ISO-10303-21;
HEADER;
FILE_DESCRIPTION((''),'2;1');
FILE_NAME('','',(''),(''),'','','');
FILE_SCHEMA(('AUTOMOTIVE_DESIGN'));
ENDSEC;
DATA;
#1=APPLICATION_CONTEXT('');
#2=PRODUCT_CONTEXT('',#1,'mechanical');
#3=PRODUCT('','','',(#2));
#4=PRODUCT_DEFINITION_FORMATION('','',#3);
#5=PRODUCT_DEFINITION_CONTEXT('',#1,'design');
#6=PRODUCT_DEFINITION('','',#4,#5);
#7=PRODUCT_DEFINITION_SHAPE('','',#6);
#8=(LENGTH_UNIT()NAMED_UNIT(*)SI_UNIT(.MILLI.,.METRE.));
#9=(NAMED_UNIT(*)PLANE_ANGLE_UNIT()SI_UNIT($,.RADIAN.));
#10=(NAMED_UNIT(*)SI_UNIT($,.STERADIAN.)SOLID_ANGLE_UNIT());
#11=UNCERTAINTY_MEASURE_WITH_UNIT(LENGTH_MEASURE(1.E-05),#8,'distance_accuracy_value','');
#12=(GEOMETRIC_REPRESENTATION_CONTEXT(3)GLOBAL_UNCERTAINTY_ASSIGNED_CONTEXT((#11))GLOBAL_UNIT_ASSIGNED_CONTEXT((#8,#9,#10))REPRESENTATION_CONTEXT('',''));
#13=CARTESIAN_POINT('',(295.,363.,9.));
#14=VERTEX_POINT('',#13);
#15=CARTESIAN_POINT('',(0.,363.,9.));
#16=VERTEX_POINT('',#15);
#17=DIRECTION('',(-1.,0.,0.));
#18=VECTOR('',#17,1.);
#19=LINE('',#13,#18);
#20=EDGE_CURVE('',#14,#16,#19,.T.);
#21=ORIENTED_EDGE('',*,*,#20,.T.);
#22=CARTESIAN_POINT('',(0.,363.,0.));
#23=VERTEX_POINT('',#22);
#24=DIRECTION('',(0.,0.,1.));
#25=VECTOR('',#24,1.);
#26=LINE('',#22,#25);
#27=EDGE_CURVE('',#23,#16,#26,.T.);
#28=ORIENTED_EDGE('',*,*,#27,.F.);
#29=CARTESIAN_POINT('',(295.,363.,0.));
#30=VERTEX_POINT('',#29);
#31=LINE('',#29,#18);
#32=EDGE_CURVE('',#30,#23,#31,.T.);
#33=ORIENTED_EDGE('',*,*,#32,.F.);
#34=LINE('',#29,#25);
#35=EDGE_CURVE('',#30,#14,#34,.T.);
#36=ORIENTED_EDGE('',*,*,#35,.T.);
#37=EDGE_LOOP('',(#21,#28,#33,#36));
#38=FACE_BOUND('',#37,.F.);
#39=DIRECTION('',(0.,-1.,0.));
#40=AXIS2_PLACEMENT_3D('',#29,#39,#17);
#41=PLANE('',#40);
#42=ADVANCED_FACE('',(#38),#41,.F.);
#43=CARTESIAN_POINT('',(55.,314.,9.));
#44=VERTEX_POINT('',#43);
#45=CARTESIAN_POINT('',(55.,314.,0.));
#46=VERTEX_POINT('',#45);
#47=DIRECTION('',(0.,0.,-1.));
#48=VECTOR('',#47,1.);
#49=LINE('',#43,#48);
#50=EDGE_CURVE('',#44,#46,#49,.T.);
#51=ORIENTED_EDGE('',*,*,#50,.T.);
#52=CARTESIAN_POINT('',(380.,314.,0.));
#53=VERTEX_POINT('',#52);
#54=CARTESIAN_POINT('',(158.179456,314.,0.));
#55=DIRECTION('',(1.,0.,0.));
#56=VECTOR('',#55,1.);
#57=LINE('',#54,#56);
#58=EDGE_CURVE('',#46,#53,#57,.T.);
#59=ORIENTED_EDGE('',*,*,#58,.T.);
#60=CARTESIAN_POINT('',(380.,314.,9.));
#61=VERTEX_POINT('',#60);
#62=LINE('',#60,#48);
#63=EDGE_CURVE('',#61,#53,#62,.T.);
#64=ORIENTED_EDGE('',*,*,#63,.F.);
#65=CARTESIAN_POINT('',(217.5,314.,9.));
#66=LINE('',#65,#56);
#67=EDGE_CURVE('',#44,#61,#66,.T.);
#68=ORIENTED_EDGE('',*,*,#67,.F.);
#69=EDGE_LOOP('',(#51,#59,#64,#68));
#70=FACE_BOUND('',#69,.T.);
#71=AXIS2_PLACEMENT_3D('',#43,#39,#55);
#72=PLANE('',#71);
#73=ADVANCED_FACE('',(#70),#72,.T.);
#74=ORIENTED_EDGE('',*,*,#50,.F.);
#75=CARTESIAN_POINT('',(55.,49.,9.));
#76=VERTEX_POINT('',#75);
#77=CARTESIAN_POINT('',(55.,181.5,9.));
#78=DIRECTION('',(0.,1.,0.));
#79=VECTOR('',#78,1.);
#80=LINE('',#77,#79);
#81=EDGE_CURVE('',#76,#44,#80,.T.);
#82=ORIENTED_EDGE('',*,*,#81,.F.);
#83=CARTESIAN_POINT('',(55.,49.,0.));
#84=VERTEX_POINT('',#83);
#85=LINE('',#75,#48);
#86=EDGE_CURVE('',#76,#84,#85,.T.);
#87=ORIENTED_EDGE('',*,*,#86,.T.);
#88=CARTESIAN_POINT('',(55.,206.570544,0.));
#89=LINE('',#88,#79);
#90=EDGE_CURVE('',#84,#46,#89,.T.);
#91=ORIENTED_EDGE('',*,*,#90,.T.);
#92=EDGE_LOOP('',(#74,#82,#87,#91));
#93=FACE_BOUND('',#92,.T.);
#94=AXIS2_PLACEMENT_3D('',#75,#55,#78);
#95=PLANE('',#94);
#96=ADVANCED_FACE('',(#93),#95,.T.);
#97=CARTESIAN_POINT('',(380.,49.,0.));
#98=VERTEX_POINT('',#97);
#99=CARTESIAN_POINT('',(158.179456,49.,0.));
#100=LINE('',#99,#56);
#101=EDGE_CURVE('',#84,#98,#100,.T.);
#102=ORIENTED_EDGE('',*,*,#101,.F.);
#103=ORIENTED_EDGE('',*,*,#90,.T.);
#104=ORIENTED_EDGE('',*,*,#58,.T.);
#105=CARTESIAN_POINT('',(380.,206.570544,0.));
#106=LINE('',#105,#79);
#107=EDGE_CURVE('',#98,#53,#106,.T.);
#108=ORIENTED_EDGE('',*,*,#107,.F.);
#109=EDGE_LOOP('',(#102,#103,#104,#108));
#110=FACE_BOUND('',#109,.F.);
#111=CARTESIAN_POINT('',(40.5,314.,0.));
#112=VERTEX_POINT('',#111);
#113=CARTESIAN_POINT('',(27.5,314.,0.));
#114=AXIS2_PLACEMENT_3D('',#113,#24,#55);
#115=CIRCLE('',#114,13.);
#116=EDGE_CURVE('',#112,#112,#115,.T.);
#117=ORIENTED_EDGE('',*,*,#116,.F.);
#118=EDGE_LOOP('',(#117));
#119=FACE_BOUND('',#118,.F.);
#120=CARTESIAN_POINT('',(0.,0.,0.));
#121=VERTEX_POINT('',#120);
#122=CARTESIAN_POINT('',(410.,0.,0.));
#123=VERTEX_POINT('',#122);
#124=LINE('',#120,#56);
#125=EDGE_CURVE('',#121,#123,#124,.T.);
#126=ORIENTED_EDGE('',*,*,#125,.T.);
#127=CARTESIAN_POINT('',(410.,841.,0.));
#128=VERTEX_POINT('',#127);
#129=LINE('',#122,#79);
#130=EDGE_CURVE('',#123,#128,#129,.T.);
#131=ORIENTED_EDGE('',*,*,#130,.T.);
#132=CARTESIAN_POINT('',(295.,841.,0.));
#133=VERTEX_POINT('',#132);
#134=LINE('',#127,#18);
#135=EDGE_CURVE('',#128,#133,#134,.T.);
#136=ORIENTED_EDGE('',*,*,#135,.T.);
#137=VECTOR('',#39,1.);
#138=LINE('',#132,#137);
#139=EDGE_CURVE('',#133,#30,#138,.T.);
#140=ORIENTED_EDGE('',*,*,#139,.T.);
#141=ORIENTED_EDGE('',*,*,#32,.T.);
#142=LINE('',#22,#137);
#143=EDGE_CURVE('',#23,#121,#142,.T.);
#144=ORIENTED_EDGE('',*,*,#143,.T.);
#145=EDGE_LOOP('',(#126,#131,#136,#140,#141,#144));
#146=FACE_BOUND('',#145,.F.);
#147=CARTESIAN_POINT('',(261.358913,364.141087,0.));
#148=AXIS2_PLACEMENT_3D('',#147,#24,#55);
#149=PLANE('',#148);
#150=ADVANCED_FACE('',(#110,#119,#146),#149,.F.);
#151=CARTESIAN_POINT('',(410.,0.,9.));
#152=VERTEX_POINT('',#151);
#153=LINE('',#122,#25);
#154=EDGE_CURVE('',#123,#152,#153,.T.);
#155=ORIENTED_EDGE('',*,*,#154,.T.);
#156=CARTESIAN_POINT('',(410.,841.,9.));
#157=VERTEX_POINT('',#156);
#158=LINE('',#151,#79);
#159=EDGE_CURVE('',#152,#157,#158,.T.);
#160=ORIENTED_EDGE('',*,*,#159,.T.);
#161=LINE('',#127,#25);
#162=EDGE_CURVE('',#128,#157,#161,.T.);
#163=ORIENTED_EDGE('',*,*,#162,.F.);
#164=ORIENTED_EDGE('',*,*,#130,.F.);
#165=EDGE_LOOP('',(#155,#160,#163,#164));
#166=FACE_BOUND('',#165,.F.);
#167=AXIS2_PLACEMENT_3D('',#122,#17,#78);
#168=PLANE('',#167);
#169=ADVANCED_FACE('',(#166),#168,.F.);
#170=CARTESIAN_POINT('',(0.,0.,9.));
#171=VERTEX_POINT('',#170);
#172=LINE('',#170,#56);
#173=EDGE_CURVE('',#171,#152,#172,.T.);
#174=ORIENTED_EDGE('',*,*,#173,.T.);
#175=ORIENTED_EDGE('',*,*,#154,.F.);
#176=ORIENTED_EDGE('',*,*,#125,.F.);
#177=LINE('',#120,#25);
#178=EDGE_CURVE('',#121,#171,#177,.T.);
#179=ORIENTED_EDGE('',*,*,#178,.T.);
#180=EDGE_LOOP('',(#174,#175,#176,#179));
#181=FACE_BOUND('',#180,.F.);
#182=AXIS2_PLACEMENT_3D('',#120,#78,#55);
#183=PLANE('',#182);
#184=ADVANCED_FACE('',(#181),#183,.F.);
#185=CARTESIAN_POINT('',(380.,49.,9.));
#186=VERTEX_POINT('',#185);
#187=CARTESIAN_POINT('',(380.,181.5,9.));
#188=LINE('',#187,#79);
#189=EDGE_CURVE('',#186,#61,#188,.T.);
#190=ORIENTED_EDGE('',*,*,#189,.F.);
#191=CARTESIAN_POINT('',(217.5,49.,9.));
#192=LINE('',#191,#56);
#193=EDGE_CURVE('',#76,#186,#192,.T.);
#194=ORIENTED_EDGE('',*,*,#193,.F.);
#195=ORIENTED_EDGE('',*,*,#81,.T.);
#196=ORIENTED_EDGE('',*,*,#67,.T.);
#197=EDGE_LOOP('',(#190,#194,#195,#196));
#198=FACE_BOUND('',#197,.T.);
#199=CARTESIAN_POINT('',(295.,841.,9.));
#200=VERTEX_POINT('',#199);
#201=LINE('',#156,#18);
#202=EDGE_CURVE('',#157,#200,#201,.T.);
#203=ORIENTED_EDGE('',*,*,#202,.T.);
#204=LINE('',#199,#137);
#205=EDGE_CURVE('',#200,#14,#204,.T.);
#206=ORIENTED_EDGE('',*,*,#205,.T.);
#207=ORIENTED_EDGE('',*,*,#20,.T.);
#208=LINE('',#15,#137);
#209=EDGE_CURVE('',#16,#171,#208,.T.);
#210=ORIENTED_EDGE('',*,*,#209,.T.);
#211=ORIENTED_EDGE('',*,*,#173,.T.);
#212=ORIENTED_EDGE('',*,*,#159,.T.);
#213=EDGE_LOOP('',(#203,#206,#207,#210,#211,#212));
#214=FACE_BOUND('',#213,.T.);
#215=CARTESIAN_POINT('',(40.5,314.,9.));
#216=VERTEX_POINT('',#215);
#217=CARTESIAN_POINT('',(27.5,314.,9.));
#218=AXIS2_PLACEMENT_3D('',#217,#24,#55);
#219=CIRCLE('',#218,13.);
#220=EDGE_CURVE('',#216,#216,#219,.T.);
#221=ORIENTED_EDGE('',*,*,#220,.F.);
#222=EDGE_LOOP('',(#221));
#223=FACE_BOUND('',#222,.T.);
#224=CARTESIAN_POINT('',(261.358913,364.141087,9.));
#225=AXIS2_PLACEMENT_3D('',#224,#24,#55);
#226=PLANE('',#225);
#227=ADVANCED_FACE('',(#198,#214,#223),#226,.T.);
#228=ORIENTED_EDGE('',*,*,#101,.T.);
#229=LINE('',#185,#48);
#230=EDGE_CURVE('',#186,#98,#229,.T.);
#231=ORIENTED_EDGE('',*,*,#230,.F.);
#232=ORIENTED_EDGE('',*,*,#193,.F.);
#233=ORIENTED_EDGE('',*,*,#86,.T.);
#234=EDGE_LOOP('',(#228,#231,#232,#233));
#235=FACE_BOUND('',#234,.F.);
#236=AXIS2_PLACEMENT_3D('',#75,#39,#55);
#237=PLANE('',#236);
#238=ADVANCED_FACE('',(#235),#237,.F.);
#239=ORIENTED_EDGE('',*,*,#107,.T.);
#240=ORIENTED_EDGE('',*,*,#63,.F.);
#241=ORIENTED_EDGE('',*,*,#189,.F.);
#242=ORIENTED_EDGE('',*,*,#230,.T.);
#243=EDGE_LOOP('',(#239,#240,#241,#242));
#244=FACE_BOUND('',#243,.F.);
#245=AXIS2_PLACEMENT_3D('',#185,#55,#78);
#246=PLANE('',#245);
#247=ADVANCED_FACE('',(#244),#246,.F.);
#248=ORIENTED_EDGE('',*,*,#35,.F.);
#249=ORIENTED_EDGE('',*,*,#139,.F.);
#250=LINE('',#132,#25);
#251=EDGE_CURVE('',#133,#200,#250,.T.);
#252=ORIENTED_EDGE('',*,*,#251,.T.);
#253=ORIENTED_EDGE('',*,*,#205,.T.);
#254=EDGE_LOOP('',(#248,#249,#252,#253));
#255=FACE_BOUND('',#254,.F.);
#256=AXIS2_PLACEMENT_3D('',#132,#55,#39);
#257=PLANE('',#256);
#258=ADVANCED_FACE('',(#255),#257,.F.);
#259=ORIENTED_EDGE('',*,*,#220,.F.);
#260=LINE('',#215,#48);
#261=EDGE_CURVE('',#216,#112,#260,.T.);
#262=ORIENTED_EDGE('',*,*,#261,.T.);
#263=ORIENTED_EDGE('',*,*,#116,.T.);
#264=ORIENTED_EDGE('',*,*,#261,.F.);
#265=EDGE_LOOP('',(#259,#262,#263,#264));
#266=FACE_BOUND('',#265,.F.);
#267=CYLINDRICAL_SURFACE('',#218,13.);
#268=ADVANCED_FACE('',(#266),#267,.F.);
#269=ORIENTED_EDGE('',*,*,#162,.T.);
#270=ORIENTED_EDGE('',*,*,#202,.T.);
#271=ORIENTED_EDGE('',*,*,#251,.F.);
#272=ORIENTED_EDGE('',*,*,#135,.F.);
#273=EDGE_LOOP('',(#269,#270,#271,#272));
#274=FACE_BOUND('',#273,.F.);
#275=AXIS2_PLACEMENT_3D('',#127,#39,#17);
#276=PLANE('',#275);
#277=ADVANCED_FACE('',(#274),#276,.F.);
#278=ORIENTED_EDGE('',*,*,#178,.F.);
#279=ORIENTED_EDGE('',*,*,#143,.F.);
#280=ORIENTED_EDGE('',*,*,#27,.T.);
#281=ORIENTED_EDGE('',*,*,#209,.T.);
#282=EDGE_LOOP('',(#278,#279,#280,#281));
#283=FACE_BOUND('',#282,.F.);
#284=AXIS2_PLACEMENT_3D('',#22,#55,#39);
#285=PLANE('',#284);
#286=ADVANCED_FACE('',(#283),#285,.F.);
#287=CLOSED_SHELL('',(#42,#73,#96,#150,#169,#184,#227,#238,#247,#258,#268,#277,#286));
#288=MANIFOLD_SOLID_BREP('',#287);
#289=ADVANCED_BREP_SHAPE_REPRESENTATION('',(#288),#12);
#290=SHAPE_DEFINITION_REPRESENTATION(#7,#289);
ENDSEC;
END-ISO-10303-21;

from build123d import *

# Parameters (mm, degrees)
F1_DEPTH = 9
F2_W     = 325
F2_H     = 265
F2_R     = 13
F3_DEPTH = 25


with BuildPart() as f1:
    # F0 (on Top) → F1 (new body)
    with BuildSketch(Plane.XY):
        Polygon((410, 0), (410, 841), (295, 841), (295, 363), (0, 363), (0, 0), align=None)
    extrude(amount=F1_DEPTH)

    # F2 (on face) → F3 (cut)
    with BuildSketch(Plane.XY.offset(9)):
        with Locations((217.5, 181.5)):
            Rectangle(F2_W, F2_H)
        with Locations((27.5, 314)):
            Circle(F2_R)
    extrude(amount=-F3_DEPTH, mode=Mode.SUBTRACT)


solid = f1.part
